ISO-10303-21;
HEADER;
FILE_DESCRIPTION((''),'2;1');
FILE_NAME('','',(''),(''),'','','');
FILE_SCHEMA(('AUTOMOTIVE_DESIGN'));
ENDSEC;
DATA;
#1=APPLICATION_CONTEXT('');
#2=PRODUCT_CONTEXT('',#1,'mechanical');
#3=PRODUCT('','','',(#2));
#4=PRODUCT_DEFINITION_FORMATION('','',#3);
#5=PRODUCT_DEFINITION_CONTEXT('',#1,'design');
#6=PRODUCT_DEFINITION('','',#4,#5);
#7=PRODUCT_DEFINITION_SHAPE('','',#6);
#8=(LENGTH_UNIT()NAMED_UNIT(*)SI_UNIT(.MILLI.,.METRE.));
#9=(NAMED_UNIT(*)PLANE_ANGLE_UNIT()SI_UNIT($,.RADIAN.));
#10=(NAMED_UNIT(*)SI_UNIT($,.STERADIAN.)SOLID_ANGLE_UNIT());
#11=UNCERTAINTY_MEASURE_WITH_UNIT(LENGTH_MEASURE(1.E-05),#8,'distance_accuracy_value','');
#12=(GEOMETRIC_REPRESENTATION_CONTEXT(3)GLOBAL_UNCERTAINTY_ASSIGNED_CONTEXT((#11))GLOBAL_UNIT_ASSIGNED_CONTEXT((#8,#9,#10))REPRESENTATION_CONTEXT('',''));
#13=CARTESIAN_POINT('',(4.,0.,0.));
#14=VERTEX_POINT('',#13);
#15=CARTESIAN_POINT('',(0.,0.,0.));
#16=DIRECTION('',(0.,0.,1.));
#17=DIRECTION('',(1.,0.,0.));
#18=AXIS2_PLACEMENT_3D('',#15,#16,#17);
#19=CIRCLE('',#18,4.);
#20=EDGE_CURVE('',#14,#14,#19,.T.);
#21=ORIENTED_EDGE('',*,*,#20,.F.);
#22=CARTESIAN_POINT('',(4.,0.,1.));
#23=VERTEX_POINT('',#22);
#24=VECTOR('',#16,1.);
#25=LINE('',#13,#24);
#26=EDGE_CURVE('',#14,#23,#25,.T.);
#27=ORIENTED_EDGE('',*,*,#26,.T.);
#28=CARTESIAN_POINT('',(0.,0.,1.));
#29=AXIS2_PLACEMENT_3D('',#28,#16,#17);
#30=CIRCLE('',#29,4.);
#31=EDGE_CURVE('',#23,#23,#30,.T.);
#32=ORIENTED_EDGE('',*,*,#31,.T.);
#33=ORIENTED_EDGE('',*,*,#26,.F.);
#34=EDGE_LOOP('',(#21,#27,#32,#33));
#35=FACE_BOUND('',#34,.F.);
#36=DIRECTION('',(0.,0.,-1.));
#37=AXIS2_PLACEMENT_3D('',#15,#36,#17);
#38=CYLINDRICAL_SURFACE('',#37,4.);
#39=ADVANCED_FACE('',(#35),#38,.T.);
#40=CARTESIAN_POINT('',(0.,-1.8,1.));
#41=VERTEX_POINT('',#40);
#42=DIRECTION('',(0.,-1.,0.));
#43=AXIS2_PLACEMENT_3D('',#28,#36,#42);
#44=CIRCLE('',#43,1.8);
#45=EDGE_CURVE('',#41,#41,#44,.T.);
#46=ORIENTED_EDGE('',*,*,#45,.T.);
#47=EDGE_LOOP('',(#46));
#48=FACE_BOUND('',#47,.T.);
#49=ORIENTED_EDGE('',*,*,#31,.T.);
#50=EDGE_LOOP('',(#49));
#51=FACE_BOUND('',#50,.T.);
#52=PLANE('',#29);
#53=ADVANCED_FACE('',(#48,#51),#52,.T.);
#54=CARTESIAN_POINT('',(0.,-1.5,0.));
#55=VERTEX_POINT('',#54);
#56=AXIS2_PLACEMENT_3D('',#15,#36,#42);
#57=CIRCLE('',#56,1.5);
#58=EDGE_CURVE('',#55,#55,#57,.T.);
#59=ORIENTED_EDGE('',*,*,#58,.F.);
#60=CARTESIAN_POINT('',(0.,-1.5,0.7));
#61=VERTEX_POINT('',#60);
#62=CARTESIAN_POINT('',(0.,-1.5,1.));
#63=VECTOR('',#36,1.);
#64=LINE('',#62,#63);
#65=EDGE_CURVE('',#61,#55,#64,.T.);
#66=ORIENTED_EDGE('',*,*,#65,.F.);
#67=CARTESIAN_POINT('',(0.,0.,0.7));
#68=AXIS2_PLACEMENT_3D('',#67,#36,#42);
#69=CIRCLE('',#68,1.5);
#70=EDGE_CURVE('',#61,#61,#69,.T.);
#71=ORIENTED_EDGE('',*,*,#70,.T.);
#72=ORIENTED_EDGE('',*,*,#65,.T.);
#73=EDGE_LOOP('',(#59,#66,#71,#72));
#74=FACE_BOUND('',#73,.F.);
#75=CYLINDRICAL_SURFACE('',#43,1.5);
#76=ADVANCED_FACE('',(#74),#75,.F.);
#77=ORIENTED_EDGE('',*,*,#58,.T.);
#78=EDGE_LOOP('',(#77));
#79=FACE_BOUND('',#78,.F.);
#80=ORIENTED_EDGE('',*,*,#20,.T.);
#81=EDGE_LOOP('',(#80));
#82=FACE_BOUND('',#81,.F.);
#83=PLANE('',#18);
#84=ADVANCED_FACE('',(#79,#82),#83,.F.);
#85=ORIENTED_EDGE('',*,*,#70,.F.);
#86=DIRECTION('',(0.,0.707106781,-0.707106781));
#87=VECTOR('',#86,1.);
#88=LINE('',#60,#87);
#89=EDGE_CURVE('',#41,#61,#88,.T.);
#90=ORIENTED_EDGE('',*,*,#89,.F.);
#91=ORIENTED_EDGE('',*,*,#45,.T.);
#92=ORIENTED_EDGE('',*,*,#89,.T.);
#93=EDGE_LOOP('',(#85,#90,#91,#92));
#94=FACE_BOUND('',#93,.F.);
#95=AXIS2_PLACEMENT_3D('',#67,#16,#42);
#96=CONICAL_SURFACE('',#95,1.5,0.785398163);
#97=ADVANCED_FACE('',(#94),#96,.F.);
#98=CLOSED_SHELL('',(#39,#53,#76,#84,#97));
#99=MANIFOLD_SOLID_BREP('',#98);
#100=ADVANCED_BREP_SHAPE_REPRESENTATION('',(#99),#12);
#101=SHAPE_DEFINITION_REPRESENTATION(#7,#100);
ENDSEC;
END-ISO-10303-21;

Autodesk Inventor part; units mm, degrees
ref_plane "YZ Plane" through (0, 0, 0) normal (1, 0, 0) x (0, 1, 0)
ref_plane "XZ Plane" through (0, 0, 0) normal (0, 1, 0) x (-1, 0, 0)
ref_plane "XY Plane" through (0, 0, 0) normal (0, 0, 1) x (1, 0, 0)
sketch "スケッチ1" plane through (0, 0, 0) normal (0, 0, 1) x (1, 0, 0)
  circle A0 centre (0, 0) radius 4
  dimension "d0" = 8
extrude "押し出し1" add sketch "スケッチ1" along normal blind 1
sketch "スケッチ2" plane through (0, 0, 1) normal (0, 0, 1) x (1, 0, 0)
  circle A0 centre (0, 0) radius 1.5
  dimension "d3" = 3
hole "穴1" at (0, 0, 1) direction (0, 0, -1) diameter 3 end through all
chamfer "面取り1" distance 0.3 angle 45 1 edges at (0, 1.5, 1)
properties part number "RD019_ブッシュ80F-0305改"
